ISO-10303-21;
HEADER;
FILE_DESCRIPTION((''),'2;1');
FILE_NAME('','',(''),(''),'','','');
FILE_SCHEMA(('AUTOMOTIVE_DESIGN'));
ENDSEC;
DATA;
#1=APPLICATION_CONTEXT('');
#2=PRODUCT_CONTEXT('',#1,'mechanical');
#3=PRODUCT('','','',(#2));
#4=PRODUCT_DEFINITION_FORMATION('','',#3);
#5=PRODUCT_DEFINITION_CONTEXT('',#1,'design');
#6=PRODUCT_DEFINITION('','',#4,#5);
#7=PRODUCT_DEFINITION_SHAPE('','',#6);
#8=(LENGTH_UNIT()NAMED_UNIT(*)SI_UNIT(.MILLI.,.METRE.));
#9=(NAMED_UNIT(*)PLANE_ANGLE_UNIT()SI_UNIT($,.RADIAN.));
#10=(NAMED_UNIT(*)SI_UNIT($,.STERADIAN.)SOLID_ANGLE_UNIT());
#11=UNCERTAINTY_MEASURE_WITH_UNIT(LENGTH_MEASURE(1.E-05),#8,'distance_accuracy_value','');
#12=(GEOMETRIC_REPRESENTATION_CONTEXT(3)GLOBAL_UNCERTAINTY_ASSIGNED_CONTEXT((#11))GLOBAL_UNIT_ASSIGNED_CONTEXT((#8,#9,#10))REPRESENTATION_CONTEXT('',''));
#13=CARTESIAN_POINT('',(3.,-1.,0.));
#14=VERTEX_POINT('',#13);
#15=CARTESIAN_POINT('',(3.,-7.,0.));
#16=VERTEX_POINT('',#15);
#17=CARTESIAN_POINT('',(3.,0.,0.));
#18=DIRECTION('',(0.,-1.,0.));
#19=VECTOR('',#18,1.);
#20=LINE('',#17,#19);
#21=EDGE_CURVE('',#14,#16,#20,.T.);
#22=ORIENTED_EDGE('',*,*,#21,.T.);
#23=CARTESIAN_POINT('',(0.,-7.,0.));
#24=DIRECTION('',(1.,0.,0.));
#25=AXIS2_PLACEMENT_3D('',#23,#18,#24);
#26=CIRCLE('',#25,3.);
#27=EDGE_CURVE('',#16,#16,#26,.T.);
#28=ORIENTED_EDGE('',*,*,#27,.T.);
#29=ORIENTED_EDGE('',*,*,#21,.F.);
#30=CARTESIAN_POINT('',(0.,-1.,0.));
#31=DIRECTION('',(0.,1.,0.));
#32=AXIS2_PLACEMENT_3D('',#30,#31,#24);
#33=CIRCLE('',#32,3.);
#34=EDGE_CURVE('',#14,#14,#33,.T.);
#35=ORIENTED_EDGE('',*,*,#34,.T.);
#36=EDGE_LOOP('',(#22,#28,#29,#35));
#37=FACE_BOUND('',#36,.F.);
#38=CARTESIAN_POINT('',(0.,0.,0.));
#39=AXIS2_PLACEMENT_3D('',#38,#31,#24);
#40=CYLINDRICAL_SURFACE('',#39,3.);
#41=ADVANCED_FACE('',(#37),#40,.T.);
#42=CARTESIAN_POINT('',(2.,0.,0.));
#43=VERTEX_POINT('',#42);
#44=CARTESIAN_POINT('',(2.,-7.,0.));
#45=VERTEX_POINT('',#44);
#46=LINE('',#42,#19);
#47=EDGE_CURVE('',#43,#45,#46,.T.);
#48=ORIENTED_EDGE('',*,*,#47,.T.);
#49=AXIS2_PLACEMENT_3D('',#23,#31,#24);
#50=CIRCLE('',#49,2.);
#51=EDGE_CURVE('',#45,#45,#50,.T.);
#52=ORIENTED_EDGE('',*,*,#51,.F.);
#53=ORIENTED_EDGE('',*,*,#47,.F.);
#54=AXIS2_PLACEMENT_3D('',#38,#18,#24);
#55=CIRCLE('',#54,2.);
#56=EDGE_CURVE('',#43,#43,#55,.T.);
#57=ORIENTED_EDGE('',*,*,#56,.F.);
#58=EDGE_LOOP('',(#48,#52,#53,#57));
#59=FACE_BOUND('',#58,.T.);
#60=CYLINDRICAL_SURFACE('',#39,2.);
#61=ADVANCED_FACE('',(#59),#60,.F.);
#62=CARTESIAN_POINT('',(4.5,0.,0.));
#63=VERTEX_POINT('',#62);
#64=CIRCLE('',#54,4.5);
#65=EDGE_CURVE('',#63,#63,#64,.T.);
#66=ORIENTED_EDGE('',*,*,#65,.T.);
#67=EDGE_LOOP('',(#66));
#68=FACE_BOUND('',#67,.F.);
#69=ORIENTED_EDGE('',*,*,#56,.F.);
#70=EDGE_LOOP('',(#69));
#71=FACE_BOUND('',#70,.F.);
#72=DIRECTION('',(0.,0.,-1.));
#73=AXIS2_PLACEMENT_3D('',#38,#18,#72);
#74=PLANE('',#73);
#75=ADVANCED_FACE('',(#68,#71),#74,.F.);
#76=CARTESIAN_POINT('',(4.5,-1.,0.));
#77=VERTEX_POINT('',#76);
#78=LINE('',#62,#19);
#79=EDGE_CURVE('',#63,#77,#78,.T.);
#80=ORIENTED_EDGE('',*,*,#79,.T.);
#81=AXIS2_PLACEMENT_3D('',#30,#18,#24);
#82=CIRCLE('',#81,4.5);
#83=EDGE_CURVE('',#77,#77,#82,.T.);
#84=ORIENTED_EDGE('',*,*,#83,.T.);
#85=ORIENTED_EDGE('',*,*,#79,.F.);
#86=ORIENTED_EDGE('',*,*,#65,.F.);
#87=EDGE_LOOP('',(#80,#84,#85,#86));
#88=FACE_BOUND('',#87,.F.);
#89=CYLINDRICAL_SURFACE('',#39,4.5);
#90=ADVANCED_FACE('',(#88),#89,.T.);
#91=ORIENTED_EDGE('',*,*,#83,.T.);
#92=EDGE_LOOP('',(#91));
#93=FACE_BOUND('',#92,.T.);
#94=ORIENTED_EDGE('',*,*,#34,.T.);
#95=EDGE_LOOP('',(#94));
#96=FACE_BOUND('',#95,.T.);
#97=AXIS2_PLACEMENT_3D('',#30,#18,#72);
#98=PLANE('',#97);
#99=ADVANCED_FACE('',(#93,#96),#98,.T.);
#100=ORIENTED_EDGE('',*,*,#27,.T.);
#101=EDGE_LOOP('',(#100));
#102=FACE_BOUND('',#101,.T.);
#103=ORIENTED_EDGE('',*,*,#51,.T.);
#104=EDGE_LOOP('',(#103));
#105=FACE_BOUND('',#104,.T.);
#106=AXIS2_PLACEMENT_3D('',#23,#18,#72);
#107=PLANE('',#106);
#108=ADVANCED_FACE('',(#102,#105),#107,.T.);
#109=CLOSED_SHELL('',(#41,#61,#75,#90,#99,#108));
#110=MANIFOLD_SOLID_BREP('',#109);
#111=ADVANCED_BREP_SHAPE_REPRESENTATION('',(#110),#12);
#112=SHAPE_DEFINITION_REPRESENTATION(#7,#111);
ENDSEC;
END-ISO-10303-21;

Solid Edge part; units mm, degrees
sketch "Sketch1" plane through (0, 0, 0) normal (0, -1, 0) x (1, 0, 0)
  circle A0 centre (0, 0) radius 4.5
extrude "Protrusion1" add sketch "Sketch1" along normal blind 1
sketch "Sketch2" plane through (0, 0, 0) normal (0, -1, 0) x (1, 0, 0)
  circle A0 centre (0, 0) radius 3
extrude "Extrusionsausprägung_2" add sketch "Sketch2" along normal blind 7
sketch "Sketch3" plane through (0, 0, 0) normal (0, -1, 0) x (1, 0, 0)
  circle A0 centre (0, 0) radius 2
extrude "Cutout1" cut sketch "Sketch3" along normal through all
